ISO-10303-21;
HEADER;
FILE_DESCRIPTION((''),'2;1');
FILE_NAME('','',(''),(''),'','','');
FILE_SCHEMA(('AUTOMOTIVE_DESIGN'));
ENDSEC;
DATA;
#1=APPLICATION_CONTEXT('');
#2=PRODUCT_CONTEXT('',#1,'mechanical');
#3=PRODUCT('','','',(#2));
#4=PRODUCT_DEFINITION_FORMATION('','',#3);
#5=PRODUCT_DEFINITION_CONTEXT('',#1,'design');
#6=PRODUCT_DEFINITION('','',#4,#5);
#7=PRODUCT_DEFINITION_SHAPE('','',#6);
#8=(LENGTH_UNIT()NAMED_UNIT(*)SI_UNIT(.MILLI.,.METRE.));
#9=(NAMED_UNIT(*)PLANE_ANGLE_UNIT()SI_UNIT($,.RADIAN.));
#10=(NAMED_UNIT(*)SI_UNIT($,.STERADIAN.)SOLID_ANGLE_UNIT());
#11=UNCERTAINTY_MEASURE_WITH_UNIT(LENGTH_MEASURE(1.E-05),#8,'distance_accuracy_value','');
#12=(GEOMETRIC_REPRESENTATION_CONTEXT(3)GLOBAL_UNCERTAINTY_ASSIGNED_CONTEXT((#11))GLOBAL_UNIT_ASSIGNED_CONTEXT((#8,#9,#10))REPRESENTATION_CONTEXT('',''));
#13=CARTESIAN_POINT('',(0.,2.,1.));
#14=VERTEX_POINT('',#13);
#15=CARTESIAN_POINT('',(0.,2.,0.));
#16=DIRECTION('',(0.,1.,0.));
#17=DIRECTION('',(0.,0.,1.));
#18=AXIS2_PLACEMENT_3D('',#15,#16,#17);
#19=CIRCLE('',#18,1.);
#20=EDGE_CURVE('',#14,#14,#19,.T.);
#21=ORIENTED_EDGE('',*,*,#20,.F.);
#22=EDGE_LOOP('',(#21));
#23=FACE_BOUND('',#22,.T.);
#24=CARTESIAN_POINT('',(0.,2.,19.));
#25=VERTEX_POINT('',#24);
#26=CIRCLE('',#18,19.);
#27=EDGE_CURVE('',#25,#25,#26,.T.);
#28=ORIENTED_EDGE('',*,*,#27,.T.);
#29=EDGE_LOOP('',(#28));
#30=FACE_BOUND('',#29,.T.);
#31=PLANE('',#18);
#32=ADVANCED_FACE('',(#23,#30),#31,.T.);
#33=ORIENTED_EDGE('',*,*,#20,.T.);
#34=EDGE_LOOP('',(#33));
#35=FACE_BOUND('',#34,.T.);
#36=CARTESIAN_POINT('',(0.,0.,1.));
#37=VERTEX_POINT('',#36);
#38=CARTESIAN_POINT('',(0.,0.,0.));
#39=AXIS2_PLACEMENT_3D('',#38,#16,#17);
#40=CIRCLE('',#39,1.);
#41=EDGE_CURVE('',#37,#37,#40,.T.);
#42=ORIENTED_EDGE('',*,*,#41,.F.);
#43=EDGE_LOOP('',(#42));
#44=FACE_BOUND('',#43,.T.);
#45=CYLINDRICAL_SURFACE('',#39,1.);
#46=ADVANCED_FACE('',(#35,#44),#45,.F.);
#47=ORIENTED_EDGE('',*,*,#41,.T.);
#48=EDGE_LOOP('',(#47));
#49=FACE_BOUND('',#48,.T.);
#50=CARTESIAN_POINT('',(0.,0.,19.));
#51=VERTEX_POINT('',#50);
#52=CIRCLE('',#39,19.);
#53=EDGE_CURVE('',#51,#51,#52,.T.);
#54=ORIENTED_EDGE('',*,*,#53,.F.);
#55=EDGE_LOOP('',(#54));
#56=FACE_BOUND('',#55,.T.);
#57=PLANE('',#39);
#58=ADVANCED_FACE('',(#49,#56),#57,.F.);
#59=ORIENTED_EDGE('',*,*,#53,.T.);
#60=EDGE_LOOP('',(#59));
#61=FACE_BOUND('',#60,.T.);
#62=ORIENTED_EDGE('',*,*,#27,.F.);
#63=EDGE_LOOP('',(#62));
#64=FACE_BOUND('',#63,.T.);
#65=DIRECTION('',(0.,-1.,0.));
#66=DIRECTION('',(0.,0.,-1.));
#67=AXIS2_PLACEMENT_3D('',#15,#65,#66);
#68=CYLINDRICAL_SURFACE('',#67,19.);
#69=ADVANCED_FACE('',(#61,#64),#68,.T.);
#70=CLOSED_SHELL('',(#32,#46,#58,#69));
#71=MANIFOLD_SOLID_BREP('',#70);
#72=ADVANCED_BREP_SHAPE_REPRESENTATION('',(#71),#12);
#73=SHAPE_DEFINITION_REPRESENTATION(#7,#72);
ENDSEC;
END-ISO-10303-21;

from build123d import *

# Parameters (mm, degrees)
SKETCH1_R           = 19
BOSS_EXTRUDE1_DEPTH = 2
SKETCH2_R           = 1
CUT_EXTRUDE1_DEPTH  = 2


with BuildPart() as part:
    # Sketch1 → Boss-Extrude1 (new body)
    with BuildSketch(Plane(origin=(0, 0, 0), x_dir=(1, 0, 0), z_dir=(0, 1, 0))):
        with Locations(Location((0, 0, 0), (0, 0, 270))):
            Circle(SKETCH1_R)
    extrude(amount=BOSS_EXTRUDE1_DEPTH)

    # Sketch2 → Cut-Extrude1 (cut)
    with BuildSketch(Plane(origin=(0, 2, 0), x_dir=(1, 0, 0), z_dir=(0, 1, 0))):
        with Locations(Location((0, 0, 0), (0, 0, 270))):
            Circle(SKETCH2_R)
    extrude(amount=-CUT_EXTRUDE1_DEPTH, mode=Mode.SUBTRACT)


solid = part.part
